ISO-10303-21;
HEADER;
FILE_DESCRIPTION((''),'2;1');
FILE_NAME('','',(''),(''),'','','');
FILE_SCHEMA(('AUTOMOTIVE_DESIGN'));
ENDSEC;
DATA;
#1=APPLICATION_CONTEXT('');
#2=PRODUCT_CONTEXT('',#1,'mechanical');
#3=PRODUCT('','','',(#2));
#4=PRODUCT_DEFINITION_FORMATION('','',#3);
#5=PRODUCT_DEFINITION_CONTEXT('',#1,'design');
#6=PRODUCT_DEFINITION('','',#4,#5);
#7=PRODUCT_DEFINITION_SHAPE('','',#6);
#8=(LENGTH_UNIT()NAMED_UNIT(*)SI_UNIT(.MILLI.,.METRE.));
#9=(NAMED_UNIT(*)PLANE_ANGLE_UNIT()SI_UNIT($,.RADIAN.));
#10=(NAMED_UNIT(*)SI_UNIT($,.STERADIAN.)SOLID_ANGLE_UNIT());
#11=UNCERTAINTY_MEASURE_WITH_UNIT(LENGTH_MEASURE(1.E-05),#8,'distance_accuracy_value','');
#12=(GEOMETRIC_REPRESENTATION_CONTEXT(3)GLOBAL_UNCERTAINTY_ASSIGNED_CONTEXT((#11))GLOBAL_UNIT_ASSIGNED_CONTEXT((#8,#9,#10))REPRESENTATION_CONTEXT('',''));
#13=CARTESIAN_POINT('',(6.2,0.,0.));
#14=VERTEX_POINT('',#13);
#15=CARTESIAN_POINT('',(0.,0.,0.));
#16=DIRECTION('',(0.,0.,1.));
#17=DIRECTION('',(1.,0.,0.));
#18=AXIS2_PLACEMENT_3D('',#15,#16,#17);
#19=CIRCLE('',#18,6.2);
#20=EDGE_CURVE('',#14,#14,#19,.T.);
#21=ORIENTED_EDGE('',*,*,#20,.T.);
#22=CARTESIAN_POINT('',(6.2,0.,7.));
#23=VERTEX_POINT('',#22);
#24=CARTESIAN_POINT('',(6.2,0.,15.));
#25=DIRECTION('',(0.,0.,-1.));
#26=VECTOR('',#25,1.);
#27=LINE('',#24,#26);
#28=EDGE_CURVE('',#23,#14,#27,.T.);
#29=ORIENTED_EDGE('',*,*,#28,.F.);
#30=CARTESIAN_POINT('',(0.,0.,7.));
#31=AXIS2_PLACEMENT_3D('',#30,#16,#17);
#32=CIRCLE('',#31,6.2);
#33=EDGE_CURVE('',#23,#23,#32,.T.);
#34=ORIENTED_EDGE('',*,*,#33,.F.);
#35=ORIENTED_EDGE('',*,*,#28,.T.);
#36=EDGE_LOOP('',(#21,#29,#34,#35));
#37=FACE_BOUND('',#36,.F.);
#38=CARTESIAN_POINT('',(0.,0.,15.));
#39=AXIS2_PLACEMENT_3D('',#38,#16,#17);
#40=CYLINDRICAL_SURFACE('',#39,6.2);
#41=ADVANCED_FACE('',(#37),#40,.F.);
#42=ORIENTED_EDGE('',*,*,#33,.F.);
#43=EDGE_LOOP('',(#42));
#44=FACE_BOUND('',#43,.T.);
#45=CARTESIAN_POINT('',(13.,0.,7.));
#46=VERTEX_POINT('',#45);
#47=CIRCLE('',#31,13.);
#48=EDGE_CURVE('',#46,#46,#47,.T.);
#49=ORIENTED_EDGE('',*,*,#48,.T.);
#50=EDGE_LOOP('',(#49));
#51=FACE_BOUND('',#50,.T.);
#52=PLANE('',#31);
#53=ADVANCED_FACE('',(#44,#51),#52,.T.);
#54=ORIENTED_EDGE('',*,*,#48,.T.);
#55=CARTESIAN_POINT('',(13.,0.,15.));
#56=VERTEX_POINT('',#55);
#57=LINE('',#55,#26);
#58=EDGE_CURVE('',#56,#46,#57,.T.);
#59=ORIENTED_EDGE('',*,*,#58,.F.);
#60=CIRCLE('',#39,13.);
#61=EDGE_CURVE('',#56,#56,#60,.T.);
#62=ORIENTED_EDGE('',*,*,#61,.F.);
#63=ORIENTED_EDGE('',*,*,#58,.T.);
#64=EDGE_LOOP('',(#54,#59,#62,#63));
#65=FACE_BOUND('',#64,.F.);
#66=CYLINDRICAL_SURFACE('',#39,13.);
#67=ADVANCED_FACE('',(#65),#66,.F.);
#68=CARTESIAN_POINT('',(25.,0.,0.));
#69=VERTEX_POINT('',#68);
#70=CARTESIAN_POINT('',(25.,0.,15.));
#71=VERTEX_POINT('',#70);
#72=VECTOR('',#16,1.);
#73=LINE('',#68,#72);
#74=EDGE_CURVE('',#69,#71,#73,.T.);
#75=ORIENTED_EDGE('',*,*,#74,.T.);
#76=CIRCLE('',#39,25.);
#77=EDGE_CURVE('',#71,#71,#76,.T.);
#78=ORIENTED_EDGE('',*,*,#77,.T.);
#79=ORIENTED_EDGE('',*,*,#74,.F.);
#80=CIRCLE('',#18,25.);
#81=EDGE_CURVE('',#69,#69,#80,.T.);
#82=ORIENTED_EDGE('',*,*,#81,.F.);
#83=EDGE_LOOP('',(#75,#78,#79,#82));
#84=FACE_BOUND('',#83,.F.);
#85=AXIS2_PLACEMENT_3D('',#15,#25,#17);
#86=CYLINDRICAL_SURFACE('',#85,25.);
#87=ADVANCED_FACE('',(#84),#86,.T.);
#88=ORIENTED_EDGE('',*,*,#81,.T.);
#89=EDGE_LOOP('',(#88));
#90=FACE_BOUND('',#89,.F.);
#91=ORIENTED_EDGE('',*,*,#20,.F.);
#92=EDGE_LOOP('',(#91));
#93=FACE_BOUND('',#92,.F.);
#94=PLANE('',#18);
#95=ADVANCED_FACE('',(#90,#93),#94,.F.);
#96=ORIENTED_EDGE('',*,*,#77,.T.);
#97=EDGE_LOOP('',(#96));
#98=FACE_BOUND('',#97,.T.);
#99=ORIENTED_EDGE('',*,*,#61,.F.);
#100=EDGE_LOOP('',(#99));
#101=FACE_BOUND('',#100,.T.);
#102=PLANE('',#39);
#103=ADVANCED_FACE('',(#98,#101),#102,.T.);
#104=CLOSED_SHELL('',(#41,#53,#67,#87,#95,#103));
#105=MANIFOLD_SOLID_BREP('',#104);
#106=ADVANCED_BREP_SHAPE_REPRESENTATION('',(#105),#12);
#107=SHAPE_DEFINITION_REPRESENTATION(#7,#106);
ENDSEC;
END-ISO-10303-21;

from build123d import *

# Parameters (mm, degrees)
SKETCH_R        = 25
PAD_DEPTH       = 15
SKETCH001_R     = 6.2
POCKET_DEPTH    = 15
SKETCH002_R     = 13
POCKET001_DEPTH = 8


with BuildPart() as part:
    # Sketch → Pad (new body)
    with BuildSketch(Plane.XY):
        Circle(SKETCH_R)
    extrude(amount=PAD_DEPTH)

    # Sketch001 (on Face3 of Pad) → Pocket (cut)
    with BuildSketch(Plane.XY.offset(15)):
        Circle(SKETCH001_R)
    extrude(amount=-POCKET_DEPTH, mode=Mode.SUBTRACT)

    # Sketch002 (on Face3 of Pocket) → Pocket001 (cut)
    with BuildSketch(Plane.XY.offset(15)):
        Circle(SKETCH002_R)
    extrude(amount=-POCKET001_DEPTH, mode=Mode.SUBTRACT)


solid = part.part
